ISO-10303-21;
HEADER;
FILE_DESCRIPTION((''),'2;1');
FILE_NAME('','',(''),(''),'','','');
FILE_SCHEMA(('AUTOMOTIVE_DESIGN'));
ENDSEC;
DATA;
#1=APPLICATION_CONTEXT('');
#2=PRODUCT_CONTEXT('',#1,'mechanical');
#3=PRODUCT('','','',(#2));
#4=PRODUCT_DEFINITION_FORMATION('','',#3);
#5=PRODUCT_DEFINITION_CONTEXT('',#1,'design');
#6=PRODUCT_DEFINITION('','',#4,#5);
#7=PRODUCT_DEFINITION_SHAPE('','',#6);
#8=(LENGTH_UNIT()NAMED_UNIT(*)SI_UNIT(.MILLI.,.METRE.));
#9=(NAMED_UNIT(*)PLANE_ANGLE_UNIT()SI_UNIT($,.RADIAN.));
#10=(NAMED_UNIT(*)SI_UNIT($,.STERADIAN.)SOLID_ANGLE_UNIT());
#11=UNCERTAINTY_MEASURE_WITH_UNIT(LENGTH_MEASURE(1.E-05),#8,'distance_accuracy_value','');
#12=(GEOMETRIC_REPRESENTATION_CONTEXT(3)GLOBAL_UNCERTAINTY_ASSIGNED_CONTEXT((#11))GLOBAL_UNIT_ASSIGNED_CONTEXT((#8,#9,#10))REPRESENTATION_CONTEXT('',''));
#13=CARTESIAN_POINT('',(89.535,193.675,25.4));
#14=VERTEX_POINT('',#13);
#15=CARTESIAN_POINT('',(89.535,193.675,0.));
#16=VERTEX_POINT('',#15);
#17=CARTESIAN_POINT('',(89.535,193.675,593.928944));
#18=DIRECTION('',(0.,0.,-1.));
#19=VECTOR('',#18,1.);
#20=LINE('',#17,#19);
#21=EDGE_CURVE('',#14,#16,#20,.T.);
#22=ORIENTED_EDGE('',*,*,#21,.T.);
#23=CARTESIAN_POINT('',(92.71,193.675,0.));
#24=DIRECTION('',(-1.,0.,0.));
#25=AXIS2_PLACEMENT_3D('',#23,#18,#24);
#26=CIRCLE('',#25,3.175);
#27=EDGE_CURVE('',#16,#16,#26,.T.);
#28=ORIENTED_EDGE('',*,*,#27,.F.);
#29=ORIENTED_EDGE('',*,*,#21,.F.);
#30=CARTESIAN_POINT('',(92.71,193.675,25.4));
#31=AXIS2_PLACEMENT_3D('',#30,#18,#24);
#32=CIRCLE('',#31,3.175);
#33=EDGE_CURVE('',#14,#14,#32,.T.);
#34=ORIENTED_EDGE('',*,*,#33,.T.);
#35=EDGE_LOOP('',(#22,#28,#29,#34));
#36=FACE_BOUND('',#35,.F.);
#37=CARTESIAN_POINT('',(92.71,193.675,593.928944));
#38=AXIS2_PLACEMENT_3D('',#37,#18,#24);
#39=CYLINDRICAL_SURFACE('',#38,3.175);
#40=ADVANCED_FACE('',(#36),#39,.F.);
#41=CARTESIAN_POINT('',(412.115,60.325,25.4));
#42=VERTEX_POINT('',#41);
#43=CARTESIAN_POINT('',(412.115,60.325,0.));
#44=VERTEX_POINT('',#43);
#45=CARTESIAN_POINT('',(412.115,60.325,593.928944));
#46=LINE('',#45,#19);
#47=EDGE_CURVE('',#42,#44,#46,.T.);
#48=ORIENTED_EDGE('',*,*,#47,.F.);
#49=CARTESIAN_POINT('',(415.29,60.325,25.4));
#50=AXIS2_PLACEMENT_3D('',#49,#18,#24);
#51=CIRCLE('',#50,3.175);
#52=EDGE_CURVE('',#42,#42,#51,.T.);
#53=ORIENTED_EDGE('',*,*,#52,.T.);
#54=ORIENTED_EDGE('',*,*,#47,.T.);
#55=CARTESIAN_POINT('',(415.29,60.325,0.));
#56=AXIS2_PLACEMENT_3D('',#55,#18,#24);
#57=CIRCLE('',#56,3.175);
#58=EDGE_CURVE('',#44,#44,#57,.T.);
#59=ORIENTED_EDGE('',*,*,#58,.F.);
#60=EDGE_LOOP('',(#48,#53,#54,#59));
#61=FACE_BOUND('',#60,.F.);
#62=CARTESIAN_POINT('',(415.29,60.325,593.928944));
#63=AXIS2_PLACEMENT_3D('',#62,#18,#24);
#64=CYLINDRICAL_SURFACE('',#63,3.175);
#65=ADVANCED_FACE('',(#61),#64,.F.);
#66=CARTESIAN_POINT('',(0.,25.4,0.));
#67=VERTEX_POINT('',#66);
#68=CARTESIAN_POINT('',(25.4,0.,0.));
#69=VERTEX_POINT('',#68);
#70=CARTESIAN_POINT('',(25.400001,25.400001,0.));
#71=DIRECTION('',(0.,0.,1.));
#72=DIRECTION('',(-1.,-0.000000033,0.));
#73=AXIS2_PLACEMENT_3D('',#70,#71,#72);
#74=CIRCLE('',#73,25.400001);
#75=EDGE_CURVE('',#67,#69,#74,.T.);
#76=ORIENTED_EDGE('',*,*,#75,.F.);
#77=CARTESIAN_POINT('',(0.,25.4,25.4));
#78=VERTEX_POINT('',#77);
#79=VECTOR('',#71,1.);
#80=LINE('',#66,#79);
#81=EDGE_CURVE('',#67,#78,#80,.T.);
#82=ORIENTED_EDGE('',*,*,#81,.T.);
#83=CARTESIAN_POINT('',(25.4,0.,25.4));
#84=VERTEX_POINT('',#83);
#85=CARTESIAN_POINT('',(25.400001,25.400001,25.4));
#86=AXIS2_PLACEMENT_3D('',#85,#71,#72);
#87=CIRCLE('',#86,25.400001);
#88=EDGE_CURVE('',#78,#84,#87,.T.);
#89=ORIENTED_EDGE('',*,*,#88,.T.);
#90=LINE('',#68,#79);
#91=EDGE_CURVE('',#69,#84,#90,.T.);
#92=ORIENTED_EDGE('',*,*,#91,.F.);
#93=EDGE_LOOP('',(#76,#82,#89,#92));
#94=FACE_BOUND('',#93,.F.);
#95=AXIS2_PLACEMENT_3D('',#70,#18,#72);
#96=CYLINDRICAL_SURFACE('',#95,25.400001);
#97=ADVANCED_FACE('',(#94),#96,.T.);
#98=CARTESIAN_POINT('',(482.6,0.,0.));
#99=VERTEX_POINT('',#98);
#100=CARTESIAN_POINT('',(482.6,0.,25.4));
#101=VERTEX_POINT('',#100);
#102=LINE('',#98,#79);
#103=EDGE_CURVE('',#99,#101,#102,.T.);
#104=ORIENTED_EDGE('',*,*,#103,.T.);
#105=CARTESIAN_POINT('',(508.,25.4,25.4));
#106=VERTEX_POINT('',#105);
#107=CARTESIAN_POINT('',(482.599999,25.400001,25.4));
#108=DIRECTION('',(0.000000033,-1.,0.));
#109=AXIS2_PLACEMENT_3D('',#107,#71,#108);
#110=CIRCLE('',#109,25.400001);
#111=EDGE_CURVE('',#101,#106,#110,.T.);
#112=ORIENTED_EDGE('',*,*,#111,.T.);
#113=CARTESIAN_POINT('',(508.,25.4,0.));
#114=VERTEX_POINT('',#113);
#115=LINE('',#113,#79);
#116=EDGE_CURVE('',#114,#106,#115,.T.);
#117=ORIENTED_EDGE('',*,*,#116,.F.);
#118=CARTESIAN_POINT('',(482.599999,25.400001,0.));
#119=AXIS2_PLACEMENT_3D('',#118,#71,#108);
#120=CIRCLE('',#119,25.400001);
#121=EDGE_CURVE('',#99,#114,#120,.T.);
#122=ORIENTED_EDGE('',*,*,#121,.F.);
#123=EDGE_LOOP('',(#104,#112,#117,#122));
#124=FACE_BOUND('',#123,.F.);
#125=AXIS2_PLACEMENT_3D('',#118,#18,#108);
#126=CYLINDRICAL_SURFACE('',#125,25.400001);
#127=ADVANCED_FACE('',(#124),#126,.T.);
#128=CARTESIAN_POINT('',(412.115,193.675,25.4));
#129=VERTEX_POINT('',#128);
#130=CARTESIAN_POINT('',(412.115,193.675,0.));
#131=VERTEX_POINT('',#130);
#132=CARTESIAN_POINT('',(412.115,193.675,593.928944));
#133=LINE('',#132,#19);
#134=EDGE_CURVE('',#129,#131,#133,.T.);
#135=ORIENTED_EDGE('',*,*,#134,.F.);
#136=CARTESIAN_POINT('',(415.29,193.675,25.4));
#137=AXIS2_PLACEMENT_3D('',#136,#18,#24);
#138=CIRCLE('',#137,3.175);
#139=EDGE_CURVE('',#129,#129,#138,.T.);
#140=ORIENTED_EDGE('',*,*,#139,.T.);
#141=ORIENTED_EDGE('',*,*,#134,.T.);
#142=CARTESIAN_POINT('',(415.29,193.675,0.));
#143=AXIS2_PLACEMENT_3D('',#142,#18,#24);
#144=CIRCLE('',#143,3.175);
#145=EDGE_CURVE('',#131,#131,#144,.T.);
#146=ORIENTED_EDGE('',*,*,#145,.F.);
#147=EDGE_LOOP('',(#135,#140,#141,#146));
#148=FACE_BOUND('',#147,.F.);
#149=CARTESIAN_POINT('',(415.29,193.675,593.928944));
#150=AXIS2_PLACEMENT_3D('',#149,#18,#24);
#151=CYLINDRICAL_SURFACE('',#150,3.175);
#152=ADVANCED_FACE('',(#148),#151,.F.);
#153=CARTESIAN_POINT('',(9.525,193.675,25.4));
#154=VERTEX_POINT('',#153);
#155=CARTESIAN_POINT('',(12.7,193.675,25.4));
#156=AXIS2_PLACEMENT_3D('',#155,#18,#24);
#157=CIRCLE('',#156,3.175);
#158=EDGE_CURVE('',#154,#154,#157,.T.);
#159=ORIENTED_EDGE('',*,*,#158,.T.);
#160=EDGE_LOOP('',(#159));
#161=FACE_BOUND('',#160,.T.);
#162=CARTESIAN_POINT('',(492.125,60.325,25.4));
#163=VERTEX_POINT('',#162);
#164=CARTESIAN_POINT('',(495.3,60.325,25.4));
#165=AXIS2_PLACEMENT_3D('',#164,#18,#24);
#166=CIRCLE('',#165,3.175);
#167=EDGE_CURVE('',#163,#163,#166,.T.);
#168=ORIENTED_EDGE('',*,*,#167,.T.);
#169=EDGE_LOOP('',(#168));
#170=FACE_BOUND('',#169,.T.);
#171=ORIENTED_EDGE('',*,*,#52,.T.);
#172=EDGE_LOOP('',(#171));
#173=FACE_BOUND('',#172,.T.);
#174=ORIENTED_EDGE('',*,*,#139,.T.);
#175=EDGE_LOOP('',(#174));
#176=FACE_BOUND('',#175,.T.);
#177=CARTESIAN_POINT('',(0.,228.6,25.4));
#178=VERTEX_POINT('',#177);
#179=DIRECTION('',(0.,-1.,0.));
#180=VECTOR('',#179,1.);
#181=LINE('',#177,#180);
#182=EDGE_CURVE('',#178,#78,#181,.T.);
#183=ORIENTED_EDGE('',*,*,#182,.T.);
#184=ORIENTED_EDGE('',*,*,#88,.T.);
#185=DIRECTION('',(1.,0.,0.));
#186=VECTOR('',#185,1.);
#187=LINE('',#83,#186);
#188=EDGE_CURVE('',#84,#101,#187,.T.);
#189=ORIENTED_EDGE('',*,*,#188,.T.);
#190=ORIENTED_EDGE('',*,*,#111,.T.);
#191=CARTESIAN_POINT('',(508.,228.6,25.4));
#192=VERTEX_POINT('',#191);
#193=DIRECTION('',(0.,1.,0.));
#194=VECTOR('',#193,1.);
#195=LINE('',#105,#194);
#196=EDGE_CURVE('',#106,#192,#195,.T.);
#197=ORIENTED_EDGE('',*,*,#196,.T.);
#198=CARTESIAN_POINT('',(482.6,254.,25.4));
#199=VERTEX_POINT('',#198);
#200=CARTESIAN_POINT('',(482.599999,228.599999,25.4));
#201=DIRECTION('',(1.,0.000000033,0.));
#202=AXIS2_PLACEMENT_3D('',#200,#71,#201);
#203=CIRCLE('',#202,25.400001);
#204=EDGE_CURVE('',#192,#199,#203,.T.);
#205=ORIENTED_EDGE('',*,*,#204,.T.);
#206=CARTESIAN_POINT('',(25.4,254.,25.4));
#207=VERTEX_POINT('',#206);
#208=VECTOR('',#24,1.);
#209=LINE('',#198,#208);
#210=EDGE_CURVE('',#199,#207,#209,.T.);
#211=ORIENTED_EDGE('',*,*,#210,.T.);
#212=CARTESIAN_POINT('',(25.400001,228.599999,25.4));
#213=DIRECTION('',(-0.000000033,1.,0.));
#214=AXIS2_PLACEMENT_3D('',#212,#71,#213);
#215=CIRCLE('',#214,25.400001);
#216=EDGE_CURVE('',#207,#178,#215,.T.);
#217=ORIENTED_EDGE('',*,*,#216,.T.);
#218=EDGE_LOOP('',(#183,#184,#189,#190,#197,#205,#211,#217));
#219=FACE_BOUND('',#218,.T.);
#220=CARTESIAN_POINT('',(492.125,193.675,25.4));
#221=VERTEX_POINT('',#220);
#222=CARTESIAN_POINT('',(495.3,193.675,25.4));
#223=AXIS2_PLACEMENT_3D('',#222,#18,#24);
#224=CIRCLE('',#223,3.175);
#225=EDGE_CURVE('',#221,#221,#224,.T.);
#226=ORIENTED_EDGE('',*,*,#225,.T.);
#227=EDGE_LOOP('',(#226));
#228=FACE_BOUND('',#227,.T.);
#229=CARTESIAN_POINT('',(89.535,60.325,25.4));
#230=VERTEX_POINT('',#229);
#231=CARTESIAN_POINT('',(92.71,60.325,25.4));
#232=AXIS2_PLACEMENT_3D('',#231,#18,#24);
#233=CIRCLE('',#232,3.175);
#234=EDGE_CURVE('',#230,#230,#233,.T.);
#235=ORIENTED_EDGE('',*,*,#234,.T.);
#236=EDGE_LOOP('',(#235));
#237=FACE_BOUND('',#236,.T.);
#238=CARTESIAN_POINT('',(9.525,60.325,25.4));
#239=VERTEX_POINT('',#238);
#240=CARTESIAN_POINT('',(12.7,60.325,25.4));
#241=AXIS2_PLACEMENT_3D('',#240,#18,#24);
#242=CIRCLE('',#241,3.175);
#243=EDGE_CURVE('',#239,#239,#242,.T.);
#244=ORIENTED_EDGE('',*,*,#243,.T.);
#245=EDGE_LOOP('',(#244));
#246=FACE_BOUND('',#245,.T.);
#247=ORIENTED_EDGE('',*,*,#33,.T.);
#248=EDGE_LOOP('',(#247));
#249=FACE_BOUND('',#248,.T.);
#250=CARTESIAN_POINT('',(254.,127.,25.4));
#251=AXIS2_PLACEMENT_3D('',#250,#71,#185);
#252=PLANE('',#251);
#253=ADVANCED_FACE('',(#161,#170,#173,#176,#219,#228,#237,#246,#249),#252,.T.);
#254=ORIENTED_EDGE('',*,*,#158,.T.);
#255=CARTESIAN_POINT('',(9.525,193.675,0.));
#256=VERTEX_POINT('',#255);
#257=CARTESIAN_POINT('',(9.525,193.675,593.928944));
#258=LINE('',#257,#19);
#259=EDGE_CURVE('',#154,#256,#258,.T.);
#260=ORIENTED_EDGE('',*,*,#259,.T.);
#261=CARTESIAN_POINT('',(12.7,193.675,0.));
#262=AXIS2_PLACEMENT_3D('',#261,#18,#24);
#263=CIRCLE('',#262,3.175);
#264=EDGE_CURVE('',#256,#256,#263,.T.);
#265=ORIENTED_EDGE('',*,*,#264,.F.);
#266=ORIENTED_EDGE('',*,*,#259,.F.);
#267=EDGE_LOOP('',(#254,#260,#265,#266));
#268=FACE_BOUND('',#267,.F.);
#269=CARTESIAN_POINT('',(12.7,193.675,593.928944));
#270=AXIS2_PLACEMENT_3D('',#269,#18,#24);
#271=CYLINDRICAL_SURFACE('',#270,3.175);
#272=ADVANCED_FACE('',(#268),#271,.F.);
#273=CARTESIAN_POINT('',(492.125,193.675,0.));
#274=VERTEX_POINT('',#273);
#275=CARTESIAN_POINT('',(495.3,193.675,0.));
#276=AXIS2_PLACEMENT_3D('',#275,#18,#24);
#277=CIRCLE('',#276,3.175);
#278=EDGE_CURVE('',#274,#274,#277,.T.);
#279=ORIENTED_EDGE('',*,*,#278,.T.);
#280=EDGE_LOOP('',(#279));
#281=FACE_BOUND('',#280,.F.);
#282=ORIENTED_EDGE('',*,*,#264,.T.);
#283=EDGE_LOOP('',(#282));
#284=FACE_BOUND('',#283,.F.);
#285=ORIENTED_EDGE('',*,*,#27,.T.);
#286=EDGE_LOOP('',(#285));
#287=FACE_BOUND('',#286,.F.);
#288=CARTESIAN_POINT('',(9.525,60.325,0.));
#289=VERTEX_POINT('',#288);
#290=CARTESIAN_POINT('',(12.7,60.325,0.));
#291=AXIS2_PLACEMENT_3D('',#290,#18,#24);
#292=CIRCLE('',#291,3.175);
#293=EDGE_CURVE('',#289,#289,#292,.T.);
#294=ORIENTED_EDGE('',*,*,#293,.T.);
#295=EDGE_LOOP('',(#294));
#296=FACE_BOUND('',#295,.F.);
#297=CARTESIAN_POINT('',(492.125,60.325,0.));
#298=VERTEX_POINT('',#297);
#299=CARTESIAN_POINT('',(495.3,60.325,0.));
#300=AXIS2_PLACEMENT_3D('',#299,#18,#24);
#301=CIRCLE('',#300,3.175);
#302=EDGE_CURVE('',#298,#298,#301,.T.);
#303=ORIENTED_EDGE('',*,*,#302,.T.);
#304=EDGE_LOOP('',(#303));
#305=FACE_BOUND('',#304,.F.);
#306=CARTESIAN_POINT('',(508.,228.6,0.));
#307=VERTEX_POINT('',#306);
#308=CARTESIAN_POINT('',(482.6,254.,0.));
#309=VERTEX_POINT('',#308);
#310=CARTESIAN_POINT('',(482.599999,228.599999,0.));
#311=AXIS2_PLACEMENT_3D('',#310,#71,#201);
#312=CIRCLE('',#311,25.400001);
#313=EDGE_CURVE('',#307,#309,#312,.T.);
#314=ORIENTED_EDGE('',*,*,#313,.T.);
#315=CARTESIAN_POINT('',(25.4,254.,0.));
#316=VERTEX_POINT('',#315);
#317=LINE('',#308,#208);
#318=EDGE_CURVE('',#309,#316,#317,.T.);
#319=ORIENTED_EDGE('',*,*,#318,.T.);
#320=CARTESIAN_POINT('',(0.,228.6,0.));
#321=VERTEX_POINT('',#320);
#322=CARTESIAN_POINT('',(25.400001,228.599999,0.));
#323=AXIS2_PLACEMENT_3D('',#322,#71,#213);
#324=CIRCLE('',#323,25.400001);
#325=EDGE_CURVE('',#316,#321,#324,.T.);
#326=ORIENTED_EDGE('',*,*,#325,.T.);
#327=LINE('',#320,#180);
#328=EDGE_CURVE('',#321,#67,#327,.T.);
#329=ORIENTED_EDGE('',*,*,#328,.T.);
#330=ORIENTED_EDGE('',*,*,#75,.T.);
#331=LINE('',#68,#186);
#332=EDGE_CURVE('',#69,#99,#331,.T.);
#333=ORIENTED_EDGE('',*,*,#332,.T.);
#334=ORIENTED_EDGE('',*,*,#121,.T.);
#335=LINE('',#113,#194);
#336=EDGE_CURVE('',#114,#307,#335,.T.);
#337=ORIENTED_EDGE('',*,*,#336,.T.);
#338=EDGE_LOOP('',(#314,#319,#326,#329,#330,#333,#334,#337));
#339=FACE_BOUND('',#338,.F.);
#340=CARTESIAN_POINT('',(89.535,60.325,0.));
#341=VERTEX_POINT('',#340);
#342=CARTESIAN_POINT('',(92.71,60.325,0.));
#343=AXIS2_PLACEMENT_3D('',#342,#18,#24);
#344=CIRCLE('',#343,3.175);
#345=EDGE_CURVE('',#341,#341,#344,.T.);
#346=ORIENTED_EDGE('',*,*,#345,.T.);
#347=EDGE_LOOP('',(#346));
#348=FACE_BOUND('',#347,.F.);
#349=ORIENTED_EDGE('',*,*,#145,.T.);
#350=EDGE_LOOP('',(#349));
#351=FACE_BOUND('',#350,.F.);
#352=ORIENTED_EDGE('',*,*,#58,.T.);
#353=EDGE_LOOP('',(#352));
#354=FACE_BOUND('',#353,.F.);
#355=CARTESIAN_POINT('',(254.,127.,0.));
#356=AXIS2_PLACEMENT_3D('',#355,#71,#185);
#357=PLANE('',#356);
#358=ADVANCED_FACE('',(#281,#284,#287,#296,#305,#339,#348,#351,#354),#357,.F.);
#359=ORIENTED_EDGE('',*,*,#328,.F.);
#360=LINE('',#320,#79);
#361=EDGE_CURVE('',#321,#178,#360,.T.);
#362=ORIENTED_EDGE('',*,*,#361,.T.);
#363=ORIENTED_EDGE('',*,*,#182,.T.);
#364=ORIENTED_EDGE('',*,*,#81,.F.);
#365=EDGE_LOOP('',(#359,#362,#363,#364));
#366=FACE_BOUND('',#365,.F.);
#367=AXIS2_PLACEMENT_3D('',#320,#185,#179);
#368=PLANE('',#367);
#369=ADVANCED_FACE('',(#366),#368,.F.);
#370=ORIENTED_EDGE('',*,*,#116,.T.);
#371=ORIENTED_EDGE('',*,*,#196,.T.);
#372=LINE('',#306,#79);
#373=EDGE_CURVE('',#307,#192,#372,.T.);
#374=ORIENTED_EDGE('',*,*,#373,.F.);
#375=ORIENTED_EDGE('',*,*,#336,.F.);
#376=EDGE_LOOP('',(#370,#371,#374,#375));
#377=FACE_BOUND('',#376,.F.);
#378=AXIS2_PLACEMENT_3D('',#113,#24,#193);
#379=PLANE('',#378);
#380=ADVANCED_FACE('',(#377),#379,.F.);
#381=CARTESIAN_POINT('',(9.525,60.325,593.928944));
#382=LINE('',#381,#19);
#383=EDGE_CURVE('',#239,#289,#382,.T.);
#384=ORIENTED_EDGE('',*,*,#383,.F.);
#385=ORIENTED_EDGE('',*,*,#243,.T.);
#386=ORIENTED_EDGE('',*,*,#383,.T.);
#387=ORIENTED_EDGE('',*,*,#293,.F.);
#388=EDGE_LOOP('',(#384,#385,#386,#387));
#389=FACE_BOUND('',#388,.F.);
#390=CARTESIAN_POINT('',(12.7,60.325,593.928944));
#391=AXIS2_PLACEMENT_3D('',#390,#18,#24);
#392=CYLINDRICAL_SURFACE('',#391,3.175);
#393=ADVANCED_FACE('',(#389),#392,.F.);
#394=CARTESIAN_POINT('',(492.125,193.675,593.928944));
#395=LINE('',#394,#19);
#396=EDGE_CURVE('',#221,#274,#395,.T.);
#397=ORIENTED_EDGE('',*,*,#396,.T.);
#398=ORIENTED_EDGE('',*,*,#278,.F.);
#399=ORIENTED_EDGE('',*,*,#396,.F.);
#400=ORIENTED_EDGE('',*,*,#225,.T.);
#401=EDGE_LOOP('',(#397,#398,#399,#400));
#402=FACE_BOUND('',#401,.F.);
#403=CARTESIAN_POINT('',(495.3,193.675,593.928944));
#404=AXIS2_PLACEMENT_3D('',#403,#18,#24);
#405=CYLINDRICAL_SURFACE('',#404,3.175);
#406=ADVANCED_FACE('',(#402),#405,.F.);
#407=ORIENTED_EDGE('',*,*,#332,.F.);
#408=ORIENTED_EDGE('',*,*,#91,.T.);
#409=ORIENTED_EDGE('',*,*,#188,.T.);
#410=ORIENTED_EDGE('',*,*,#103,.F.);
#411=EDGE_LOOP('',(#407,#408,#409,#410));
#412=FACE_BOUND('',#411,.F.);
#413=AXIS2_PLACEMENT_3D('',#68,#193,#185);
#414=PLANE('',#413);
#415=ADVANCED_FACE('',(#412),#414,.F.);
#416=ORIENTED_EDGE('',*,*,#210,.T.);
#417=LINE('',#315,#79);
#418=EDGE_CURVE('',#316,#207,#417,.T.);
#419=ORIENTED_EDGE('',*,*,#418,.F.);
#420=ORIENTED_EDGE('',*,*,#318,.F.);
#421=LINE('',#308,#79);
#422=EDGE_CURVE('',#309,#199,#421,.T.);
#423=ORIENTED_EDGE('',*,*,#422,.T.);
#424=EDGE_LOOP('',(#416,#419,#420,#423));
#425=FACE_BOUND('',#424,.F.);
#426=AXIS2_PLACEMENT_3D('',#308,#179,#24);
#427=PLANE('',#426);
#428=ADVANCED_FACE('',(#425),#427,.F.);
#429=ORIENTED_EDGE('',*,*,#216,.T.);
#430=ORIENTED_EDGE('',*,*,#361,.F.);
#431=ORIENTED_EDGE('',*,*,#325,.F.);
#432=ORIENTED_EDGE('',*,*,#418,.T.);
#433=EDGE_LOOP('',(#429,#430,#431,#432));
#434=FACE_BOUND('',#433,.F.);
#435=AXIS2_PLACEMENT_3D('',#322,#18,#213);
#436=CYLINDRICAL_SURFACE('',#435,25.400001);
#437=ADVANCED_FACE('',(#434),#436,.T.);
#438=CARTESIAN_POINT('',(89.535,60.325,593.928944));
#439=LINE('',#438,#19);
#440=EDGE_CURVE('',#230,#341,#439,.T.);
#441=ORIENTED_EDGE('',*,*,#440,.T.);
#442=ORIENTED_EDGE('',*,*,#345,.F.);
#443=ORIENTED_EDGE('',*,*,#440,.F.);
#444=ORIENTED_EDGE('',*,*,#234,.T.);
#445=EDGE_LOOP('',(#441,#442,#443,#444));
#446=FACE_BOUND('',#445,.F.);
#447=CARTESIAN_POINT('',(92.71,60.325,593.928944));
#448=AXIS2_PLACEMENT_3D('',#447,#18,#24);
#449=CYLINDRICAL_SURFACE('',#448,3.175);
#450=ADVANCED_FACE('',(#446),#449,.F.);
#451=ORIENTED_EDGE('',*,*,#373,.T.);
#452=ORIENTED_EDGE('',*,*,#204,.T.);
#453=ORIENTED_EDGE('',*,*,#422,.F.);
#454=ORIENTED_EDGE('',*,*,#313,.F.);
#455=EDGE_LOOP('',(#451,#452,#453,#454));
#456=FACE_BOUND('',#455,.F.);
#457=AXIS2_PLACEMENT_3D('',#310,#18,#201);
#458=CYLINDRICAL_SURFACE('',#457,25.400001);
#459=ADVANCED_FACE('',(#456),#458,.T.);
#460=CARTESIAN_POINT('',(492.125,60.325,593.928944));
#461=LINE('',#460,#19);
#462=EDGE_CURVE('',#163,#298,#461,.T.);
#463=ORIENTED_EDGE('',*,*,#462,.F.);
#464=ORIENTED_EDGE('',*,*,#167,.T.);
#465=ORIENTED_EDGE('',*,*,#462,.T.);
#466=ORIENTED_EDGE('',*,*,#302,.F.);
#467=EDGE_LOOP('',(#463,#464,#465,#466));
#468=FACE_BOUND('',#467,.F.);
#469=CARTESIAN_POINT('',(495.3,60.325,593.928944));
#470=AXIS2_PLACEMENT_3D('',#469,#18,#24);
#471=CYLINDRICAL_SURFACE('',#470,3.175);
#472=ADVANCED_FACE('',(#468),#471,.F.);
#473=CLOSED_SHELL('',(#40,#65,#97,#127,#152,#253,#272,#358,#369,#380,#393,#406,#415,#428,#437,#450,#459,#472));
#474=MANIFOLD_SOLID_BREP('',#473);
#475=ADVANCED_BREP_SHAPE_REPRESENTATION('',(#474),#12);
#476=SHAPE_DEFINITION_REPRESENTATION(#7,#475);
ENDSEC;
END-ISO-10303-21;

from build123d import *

# Parameters (mm, degrees)
F1_DEPTH = 25.4
F3_D     = 6.35


with BuildPart() as f1:
    # F0 (on Top) → F1 (new body)
    with BuildSketch(Plane.XY):
        with BuildLine():
            ThreePointArc((0, 25.4), (7.439488, 7.439488), (25.4, 0))
            Line((25.4, 0), (482.6, 0))
            ThreePointArc((482.6, 0), (500.560512, 7.439488), (508, 25.4))
            Line((508, 25.4), (508, 228.6))
            ThreePointArc((508, 228.6), (500.560512, 246.560512), (482.6, 254))
            Line((482.6, 254), (25.4, 254))
            ThreePointArc((25.4, 254), (7.439488, 246.560512), (0, 228.6))
            Line((0, 228.6), (0, 25.4))
        make_face()
    extrude(amount=F1_DEPTH)

    # F3 (through all)
    with Locations(Plane.XY.offset(25.4)):
        with Locations((12.7, 193.675), (92.71, 193.675), (92.71, 60.325), (12.7, 60.325), (415.29, 60.325), (495.3, 60.325), (495.3, 193.675), (415.29, 193.675)):
            Hole(F3_D / 2)


solid = f1.part
